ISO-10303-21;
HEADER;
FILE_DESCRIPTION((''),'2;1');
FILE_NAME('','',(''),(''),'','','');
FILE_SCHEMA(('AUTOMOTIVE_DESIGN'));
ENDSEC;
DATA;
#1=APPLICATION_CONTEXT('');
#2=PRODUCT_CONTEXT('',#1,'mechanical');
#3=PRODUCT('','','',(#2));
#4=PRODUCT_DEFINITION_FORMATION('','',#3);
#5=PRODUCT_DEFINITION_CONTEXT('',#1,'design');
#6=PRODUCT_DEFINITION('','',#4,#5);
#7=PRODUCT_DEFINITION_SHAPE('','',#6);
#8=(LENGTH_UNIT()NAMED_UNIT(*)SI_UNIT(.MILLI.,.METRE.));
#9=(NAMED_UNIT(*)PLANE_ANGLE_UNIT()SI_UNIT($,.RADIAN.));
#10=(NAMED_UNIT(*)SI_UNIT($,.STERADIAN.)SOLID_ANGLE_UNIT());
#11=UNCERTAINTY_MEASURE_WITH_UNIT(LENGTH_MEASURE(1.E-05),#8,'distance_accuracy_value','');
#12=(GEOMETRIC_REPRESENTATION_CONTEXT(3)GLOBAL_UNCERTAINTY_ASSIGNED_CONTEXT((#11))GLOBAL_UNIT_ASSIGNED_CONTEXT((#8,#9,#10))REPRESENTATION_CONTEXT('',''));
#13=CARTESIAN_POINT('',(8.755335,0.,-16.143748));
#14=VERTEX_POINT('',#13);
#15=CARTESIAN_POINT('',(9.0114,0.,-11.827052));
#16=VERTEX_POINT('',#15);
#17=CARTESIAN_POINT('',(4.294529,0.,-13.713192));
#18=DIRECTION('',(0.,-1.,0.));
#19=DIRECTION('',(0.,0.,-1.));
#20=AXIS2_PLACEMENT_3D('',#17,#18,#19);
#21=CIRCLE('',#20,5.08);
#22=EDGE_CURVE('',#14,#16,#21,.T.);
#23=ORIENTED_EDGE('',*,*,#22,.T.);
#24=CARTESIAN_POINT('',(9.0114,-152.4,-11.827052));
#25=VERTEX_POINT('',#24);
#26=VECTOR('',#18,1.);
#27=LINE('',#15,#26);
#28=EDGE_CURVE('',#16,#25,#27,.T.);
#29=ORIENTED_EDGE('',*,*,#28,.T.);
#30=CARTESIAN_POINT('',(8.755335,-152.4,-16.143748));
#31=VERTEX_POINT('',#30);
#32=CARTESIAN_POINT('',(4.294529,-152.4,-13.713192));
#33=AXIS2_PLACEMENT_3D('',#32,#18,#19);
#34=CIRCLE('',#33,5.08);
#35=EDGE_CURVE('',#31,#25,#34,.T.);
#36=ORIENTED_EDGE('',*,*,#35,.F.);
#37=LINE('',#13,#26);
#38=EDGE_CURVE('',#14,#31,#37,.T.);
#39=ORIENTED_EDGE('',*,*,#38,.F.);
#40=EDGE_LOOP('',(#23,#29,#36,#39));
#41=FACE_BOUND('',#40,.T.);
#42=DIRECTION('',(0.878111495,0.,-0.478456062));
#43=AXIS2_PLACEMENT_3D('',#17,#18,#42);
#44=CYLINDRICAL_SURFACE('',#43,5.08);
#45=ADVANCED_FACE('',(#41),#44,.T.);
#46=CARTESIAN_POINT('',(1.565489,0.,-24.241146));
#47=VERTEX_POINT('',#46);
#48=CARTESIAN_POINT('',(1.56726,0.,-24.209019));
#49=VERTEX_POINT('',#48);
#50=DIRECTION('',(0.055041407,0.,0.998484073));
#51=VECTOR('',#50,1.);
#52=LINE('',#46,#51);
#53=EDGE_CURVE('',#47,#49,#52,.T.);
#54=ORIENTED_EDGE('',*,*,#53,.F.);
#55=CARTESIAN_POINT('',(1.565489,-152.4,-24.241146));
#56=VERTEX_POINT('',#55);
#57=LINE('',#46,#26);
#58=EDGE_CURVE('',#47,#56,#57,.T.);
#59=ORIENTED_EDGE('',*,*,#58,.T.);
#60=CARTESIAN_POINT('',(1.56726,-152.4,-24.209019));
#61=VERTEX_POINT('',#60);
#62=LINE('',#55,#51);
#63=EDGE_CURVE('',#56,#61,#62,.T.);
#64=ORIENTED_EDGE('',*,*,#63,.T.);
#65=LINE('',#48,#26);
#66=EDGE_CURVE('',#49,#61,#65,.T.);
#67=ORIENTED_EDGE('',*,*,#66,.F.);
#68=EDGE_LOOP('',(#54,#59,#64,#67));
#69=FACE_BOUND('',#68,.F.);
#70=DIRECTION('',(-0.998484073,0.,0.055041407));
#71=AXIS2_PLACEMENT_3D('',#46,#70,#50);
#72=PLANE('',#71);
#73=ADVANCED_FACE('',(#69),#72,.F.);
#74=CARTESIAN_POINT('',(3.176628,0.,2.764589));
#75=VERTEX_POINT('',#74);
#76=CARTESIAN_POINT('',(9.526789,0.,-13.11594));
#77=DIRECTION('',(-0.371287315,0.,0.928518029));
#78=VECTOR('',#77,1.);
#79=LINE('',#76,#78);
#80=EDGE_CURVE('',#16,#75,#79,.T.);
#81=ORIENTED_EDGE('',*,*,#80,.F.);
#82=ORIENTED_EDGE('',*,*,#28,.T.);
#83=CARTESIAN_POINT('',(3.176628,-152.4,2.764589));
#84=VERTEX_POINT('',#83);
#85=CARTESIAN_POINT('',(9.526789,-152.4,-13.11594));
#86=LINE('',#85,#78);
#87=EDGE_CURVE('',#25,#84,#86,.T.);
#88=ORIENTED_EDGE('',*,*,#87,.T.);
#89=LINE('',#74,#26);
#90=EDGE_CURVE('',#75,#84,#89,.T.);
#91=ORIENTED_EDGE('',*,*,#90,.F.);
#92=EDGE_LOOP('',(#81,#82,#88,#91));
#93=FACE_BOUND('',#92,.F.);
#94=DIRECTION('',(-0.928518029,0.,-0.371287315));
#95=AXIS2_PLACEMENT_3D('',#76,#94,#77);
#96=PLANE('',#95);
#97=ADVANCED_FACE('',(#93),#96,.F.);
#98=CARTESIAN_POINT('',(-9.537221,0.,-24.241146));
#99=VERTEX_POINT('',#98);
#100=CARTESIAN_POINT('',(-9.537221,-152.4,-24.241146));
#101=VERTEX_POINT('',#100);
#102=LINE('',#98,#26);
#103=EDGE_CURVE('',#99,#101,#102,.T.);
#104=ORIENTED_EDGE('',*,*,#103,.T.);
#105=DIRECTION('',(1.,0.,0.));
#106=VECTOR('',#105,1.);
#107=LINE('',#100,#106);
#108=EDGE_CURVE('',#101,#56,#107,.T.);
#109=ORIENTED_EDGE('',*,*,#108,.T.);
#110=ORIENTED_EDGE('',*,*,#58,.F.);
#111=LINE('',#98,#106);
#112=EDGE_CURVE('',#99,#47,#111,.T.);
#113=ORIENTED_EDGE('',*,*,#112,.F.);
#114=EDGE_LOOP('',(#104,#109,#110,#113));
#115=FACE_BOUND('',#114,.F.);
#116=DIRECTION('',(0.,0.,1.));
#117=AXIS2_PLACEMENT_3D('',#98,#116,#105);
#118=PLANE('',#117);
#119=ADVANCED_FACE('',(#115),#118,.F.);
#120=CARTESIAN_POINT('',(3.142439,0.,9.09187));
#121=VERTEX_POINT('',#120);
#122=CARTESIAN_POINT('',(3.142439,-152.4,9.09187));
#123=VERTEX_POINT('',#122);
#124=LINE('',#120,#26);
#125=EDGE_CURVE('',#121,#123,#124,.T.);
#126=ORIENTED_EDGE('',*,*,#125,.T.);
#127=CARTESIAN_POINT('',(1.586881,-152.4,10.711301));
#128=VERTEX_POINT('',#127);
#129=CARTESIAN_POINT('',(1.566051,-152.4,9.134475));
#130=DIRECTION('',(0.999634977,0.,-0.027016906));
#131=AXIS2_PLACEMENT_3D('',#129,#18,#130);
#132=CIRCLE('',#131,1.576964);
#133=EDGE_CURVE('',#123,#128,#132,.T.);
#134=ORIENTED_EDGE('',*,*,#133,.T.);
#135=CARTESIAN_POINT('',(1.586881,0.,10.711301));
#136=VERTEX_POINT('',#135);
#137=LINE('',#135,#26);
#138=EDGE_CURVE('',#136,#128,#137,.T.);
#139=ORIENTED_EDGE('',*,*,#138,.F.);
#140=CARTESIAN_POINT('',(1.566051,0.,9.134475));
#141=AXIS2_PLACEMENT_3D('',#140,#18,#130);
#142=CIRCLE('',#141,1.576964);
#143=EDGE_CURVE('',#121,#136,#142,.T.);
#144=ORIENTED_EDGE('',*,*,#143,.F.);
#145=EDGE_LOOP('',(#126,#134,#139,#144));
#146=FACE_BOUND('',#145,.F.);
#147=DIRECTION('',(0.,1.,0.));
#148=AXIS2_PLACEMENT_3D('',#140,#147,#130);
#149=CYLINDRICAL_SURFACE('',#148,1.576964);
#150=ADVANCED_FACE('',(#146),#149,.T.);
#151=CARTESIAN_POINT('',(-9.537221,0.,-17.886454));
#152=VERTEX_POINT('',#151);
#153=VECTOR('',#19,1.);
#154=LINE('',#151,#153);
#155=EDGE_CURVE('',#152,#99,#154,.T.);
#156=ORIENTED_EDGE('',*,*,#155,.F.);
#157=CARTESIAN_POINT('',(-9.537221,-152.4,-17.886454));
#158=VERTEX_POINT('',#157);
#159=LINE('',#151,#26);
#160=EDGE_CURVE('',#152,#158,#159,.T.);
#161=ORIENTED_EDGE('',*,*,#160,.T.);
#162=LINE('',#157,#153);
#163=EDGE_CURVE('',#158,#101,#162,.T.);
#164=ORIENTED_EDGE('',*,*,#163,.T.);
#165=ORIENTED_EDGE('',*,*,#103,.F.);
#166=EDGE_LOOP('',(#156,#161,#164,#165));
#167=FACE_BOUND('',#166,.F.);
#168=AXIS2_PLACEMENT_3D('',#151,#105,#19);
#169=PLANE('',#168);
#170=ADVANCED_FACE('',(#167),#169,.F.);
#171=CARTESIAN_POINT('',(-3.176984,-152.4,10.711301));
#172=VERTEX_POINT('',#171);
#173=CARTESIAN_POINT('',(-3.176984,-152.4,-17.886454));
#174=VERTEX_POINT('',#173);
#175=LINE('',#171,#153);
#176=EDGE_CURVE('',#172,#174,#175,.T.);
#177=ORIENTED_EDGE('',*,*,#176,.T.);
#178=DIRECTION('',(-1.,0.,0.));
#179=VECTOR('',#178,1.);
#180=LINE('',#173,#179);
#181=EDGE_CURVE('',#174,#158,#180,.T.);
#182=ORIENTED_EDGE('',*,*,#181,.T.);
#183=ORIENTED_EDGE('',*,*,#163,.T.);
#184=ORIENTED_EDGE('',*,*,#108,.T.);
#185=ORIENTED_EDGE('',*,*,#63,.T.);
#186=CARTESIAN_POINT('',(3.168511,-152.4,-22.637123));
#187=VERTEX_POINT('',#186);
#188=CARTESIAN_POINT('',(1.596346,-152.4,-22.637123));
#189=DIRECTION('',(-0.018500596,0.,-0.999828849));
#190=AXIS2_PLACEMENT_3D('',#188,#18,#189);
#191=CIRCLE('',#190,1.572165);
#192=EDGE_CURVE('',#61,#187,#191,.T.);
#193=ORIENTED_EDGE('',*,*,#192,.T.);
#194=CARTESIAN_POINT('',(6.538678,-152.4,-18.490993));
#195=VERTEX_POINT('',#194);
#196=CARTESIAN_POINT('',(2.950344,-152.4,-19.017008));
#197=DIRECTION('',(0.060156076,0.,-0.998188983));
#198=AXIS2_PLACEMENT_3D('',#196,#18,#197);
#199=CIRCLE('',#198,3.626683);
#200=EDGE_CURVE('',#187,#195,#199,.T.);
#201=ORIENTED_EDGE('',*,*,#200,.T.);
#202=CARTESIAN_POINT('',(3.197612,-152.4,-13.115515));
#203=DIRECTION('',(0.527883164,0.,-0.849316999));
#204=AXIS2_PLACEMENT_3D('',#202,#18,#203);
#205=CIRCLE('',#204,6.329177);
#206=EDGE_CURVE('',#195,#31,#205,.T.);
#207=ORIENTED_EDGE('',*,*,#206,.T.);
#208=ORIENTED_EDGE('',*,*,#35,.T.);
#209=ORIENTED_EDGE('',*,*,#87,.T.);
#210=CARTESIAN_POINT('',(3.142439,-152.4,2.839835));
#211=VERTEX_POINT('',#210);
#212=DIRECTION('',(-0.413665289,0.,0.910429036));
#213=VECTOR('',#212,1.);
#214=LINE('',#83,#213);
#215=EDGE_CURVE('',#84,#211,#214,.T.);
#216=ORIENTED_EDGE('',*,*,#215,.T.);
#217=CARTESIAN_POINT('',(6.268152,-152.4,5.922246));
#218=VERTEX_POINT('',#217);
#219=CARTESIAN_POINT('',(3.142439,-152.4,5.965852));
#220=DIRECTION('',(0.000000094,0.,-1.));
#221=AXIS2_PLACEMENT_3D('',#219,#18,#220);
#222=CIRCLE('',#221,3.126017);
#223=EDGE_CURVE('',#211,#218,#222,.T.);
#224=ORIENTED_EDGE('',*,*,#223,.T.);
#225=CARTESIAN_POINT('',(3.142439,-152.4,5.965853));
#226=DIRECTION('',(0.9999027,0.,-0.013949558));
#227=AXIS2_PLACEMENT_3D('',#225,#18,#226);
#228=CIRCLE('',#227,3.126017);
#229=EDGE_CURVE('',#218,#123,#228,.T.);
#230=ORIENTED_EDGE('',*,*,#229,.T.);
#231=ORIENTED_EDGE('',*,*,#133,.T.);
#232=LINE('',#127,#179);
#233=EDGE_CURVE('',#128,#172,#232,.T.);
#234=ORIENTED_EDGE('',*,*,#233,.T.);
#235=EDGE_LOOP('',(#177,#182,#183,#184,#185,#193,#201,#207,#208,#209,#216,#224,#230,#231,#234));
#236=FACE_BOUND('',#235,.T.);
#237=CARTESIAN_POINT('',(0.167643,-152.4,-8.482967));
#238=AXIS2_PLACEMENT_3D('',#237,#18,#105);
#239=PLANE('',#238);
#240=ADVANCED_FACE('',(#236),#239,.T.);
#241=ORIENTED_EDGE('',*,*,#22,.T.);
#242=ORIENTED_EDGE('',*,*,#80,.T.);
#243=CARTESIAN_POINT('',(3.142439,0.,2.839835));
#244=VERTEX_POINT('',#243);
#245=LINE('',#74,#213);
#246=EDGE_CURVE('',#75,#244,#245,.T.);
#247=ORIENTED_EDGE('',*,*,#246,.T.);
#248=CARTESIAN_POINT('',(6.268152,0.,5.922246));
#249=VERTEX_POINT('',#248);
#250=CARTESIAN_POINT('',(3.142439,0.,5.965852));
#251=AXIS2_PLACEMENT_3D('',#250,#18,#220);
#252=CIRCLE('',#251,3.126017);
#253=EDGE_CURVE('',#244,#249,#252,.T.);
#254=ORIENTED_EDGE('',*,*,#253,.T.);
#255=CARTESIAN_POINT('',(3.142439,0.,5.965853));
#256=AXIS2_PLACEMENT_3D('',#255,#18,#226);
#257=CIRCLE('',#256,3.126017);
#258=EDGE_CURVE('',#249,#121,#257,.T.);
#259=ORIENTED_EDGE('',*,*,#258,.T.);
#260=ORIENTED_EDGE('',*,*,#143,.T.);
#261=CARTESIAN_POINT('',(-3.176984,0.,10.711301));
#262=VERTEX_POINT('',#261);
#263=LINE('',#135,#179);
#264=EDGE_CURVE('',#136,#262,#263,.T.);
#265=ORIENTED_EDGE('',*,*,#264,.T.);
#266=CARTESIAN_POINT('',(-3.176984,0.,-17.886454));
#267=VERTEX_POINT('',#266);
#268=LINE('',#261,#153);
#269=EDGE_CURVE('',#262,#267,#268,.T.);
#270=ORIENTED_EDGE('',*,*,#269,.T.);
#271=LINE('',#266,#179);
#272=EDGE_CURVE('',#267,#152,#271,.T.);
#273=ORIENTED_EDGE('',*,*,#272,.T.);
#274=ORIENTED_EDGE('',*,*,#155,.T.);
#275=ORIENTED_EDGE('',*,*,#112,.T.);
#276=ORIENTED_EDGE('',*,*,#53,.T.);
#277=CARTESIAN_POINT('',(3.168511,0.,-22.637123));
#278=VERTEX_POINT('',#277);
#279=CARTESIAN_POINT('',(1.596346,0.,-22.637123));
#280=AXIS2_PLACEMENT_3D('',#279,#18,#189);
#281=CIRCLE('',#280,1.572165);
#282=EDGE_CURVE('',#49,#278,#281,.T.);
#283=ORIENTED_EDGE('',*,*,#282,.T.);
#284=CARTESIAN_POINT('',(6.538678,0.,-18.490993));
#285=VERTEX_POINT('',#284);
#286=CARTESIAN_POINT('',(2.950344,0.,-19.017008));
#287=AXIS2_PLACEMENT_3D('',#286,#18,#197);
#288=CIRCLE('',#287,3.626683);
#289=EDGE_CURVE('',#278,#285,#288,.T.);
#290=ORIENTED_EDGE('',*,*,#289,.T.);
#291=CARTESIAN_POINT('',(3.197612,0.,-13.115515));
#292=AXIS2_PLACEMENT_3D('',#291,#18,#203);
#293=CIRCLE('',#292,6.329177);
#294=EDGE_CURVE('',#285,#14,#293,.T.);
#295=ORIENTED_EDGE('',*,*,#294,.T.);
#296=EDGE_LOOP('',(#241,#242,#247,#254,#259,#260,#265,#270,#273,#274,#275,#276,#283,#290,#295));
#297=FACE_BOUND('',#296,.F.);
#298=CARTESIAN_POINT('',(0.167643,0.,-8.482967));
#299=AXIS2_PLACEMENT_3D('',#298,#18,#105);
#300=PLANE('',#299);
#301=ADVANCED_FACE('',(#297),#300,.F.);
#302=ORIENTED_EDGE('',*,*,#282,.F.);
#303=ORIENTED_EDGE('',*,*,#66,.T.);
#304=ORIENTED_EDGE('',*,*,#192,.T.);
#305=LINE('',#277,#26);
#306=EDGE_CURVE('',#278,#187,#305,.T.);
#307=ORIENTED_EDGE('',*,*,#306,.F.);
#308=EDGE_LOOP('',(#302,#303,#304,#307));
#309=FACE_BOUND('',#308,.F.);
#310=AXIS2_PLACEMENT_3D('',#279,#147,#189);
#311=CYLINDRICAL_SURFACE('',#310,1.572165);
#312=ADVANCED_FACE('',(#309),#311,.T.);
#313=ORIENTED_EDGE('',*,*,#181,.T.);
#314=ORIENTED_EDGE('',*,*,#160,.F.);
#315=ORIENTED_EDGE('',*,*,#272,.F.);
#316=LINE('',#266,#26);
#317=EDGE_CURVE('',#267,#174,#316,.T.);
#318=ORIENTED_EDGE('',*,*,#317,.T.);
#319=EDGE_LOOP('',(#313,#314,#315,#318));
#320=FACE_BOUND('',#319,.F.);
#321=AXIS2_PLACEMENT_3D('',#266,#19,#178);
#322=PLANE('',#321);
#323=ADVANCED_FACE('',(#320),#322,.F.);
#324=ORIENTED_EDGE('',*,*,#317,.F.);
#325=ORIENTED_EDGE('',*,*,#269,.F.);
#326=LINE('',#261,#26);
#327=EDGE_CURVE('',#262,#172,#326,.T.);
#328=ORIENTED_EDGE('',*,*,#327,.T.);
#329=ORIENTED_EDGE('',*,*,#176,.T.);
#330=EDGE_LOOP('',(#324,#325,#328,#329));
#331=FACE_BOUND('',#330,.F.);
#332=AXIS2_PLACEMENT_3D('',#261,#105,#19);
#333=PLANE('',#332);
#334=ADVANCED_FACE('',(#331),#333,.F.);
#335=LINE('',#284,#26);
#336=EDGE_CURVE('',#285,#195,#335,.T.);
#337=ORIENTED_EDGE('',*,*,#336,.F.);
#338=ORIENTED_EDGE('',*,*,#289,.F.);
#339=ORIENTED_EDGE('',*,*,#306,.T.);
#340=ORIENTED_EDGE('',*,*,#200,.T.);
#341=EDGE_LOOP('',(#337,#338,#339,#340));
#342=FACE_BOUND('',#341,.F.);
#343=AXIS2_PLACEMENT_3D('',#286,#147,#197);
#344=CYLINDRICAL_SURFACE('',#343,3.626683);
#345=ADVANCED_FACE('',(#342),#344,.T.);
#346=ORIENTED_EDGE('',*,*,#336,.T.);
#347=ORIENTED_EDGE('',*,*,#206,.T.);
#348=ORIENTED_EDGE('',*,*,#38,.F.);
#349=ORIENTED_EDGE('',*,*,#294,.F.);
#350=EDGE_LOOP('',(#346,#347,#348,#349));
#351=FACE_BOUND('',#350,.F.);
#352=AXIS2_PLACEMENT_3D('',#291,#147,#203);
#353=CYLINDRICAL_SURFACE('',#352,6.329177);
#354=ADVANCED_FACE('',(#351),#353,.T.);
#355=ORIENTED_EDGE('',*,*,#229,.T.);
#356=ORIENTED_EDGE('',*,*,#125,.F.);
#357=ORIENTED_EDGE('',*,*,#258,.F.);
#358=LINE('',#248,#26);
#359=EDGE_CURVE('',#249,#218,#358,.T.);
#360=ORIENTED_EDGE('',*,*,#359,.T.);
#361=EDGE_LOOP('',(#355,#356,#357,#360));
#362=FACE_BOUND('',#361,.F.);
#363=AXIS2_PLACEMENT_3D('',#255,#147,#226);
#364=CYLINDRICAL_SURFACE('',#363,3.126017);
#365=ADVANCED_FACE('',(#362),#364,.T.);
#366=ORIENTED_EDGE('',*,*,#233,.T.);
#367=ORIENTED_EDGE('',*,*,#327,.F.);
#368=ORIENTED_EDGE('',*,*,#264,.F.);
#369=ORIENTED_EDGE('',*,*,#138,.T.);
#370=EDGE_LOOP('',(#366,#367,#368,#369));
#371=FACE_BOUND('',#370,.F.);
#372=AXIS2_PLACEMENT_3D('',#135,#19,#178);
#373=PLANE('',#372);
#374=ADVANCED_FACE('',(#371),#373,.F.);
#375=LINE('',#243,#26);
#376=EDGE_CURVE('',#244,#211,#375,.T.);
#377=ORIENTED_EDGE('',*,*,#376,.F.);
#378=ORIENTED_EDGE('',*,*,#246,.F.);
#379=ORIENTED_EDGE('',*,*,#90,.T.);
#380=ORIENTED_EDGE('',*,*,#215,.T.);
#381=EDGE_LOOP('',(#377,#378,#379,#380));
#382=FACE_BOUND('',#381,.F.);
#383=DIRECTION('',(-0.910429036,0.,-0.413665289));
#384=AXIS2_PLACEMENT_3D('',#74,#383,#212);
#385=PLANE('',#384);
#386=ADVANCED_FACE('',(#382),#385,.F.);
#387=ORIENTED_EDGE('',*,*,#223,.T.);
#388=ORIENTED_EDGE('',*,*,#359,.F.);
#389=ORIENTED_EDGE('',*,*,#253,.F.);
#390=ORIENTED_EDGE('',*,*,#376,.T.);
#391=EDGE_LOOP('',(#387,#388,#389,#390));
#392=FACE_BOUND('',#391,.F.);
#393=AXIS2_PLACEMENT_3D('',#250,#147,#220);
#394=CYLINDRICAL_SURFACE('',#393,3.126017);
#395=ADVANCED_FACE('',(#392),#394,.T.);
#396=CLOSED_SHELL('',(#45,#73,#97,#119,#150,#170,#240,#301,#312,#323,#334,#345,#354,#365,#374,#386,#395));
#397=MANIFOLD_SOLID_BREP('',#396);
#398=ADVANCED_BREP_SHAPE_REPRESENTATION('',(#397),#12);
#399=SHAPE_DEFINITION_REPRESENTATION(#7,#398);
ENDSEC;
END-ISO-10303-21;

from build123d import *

# Parameters (mm, degrees)
F1_DEPTH = 152.4
F2_R     = 5.08


with BuildPart() as f1:
    # F0 (on Front) → F1 (new body)
    with BuildSketch(Plane.XZ):
        with BuildLine():
            Line((-9.537221, -24.241146), (1.565489, -24.241146))
            Line((1.565489, -24.241146), (1.56726, -24.209019))
            ThreePointArc((1.56726, -24.209019), (2.697703, -23.759048), (3.168511, -22.637123))
            ThreePointArc((3.168511, -22.637123), (5.764587, -21.304554), (6.538678, -18.490993))
            ThreePointArc((6.538678, -18.490993), (8.729447, -16.190785), (9.526789, -13.11594))
            Line((9.526789, -13.11594), (3.176628, 2.764589))
            Line((3.176628, 2.764589), (3.142439, 2.839835))
            ThreePointArc((3.142439, 2.839835), (5.337396, 3.740061), (6.268152, 5.922246))
            ThreePointArc((6.268152, 5.922246), (5.368231, 8.160809), (3.142439, 9.09187))
            ThreePointArc((3.142439, 9.09187), (2.703335, 10.226903), (1.586881, 10.711301))
            Line((1.586881, 10.711301), (-3.176984, 10.711301))
            Line((-3.176984, 10.711301), (-3.176984, -17.886454))
            Line((-3.176984, -17.886454), (-9.537221, -17.886454))
            Line((-9.537221, -17.886454), (-9.537221, -24.241146))
        make_face()
    extrude(amount=F1_DEPTH)

    # F2
    f2_edges = [f1.edges().sort_by_distance(p)[0] for p in [
        (9.526789, -76.2, -13.11594),
    ]]
    fillet(f2_edges, radius=F2_R)


solid = f1.part
